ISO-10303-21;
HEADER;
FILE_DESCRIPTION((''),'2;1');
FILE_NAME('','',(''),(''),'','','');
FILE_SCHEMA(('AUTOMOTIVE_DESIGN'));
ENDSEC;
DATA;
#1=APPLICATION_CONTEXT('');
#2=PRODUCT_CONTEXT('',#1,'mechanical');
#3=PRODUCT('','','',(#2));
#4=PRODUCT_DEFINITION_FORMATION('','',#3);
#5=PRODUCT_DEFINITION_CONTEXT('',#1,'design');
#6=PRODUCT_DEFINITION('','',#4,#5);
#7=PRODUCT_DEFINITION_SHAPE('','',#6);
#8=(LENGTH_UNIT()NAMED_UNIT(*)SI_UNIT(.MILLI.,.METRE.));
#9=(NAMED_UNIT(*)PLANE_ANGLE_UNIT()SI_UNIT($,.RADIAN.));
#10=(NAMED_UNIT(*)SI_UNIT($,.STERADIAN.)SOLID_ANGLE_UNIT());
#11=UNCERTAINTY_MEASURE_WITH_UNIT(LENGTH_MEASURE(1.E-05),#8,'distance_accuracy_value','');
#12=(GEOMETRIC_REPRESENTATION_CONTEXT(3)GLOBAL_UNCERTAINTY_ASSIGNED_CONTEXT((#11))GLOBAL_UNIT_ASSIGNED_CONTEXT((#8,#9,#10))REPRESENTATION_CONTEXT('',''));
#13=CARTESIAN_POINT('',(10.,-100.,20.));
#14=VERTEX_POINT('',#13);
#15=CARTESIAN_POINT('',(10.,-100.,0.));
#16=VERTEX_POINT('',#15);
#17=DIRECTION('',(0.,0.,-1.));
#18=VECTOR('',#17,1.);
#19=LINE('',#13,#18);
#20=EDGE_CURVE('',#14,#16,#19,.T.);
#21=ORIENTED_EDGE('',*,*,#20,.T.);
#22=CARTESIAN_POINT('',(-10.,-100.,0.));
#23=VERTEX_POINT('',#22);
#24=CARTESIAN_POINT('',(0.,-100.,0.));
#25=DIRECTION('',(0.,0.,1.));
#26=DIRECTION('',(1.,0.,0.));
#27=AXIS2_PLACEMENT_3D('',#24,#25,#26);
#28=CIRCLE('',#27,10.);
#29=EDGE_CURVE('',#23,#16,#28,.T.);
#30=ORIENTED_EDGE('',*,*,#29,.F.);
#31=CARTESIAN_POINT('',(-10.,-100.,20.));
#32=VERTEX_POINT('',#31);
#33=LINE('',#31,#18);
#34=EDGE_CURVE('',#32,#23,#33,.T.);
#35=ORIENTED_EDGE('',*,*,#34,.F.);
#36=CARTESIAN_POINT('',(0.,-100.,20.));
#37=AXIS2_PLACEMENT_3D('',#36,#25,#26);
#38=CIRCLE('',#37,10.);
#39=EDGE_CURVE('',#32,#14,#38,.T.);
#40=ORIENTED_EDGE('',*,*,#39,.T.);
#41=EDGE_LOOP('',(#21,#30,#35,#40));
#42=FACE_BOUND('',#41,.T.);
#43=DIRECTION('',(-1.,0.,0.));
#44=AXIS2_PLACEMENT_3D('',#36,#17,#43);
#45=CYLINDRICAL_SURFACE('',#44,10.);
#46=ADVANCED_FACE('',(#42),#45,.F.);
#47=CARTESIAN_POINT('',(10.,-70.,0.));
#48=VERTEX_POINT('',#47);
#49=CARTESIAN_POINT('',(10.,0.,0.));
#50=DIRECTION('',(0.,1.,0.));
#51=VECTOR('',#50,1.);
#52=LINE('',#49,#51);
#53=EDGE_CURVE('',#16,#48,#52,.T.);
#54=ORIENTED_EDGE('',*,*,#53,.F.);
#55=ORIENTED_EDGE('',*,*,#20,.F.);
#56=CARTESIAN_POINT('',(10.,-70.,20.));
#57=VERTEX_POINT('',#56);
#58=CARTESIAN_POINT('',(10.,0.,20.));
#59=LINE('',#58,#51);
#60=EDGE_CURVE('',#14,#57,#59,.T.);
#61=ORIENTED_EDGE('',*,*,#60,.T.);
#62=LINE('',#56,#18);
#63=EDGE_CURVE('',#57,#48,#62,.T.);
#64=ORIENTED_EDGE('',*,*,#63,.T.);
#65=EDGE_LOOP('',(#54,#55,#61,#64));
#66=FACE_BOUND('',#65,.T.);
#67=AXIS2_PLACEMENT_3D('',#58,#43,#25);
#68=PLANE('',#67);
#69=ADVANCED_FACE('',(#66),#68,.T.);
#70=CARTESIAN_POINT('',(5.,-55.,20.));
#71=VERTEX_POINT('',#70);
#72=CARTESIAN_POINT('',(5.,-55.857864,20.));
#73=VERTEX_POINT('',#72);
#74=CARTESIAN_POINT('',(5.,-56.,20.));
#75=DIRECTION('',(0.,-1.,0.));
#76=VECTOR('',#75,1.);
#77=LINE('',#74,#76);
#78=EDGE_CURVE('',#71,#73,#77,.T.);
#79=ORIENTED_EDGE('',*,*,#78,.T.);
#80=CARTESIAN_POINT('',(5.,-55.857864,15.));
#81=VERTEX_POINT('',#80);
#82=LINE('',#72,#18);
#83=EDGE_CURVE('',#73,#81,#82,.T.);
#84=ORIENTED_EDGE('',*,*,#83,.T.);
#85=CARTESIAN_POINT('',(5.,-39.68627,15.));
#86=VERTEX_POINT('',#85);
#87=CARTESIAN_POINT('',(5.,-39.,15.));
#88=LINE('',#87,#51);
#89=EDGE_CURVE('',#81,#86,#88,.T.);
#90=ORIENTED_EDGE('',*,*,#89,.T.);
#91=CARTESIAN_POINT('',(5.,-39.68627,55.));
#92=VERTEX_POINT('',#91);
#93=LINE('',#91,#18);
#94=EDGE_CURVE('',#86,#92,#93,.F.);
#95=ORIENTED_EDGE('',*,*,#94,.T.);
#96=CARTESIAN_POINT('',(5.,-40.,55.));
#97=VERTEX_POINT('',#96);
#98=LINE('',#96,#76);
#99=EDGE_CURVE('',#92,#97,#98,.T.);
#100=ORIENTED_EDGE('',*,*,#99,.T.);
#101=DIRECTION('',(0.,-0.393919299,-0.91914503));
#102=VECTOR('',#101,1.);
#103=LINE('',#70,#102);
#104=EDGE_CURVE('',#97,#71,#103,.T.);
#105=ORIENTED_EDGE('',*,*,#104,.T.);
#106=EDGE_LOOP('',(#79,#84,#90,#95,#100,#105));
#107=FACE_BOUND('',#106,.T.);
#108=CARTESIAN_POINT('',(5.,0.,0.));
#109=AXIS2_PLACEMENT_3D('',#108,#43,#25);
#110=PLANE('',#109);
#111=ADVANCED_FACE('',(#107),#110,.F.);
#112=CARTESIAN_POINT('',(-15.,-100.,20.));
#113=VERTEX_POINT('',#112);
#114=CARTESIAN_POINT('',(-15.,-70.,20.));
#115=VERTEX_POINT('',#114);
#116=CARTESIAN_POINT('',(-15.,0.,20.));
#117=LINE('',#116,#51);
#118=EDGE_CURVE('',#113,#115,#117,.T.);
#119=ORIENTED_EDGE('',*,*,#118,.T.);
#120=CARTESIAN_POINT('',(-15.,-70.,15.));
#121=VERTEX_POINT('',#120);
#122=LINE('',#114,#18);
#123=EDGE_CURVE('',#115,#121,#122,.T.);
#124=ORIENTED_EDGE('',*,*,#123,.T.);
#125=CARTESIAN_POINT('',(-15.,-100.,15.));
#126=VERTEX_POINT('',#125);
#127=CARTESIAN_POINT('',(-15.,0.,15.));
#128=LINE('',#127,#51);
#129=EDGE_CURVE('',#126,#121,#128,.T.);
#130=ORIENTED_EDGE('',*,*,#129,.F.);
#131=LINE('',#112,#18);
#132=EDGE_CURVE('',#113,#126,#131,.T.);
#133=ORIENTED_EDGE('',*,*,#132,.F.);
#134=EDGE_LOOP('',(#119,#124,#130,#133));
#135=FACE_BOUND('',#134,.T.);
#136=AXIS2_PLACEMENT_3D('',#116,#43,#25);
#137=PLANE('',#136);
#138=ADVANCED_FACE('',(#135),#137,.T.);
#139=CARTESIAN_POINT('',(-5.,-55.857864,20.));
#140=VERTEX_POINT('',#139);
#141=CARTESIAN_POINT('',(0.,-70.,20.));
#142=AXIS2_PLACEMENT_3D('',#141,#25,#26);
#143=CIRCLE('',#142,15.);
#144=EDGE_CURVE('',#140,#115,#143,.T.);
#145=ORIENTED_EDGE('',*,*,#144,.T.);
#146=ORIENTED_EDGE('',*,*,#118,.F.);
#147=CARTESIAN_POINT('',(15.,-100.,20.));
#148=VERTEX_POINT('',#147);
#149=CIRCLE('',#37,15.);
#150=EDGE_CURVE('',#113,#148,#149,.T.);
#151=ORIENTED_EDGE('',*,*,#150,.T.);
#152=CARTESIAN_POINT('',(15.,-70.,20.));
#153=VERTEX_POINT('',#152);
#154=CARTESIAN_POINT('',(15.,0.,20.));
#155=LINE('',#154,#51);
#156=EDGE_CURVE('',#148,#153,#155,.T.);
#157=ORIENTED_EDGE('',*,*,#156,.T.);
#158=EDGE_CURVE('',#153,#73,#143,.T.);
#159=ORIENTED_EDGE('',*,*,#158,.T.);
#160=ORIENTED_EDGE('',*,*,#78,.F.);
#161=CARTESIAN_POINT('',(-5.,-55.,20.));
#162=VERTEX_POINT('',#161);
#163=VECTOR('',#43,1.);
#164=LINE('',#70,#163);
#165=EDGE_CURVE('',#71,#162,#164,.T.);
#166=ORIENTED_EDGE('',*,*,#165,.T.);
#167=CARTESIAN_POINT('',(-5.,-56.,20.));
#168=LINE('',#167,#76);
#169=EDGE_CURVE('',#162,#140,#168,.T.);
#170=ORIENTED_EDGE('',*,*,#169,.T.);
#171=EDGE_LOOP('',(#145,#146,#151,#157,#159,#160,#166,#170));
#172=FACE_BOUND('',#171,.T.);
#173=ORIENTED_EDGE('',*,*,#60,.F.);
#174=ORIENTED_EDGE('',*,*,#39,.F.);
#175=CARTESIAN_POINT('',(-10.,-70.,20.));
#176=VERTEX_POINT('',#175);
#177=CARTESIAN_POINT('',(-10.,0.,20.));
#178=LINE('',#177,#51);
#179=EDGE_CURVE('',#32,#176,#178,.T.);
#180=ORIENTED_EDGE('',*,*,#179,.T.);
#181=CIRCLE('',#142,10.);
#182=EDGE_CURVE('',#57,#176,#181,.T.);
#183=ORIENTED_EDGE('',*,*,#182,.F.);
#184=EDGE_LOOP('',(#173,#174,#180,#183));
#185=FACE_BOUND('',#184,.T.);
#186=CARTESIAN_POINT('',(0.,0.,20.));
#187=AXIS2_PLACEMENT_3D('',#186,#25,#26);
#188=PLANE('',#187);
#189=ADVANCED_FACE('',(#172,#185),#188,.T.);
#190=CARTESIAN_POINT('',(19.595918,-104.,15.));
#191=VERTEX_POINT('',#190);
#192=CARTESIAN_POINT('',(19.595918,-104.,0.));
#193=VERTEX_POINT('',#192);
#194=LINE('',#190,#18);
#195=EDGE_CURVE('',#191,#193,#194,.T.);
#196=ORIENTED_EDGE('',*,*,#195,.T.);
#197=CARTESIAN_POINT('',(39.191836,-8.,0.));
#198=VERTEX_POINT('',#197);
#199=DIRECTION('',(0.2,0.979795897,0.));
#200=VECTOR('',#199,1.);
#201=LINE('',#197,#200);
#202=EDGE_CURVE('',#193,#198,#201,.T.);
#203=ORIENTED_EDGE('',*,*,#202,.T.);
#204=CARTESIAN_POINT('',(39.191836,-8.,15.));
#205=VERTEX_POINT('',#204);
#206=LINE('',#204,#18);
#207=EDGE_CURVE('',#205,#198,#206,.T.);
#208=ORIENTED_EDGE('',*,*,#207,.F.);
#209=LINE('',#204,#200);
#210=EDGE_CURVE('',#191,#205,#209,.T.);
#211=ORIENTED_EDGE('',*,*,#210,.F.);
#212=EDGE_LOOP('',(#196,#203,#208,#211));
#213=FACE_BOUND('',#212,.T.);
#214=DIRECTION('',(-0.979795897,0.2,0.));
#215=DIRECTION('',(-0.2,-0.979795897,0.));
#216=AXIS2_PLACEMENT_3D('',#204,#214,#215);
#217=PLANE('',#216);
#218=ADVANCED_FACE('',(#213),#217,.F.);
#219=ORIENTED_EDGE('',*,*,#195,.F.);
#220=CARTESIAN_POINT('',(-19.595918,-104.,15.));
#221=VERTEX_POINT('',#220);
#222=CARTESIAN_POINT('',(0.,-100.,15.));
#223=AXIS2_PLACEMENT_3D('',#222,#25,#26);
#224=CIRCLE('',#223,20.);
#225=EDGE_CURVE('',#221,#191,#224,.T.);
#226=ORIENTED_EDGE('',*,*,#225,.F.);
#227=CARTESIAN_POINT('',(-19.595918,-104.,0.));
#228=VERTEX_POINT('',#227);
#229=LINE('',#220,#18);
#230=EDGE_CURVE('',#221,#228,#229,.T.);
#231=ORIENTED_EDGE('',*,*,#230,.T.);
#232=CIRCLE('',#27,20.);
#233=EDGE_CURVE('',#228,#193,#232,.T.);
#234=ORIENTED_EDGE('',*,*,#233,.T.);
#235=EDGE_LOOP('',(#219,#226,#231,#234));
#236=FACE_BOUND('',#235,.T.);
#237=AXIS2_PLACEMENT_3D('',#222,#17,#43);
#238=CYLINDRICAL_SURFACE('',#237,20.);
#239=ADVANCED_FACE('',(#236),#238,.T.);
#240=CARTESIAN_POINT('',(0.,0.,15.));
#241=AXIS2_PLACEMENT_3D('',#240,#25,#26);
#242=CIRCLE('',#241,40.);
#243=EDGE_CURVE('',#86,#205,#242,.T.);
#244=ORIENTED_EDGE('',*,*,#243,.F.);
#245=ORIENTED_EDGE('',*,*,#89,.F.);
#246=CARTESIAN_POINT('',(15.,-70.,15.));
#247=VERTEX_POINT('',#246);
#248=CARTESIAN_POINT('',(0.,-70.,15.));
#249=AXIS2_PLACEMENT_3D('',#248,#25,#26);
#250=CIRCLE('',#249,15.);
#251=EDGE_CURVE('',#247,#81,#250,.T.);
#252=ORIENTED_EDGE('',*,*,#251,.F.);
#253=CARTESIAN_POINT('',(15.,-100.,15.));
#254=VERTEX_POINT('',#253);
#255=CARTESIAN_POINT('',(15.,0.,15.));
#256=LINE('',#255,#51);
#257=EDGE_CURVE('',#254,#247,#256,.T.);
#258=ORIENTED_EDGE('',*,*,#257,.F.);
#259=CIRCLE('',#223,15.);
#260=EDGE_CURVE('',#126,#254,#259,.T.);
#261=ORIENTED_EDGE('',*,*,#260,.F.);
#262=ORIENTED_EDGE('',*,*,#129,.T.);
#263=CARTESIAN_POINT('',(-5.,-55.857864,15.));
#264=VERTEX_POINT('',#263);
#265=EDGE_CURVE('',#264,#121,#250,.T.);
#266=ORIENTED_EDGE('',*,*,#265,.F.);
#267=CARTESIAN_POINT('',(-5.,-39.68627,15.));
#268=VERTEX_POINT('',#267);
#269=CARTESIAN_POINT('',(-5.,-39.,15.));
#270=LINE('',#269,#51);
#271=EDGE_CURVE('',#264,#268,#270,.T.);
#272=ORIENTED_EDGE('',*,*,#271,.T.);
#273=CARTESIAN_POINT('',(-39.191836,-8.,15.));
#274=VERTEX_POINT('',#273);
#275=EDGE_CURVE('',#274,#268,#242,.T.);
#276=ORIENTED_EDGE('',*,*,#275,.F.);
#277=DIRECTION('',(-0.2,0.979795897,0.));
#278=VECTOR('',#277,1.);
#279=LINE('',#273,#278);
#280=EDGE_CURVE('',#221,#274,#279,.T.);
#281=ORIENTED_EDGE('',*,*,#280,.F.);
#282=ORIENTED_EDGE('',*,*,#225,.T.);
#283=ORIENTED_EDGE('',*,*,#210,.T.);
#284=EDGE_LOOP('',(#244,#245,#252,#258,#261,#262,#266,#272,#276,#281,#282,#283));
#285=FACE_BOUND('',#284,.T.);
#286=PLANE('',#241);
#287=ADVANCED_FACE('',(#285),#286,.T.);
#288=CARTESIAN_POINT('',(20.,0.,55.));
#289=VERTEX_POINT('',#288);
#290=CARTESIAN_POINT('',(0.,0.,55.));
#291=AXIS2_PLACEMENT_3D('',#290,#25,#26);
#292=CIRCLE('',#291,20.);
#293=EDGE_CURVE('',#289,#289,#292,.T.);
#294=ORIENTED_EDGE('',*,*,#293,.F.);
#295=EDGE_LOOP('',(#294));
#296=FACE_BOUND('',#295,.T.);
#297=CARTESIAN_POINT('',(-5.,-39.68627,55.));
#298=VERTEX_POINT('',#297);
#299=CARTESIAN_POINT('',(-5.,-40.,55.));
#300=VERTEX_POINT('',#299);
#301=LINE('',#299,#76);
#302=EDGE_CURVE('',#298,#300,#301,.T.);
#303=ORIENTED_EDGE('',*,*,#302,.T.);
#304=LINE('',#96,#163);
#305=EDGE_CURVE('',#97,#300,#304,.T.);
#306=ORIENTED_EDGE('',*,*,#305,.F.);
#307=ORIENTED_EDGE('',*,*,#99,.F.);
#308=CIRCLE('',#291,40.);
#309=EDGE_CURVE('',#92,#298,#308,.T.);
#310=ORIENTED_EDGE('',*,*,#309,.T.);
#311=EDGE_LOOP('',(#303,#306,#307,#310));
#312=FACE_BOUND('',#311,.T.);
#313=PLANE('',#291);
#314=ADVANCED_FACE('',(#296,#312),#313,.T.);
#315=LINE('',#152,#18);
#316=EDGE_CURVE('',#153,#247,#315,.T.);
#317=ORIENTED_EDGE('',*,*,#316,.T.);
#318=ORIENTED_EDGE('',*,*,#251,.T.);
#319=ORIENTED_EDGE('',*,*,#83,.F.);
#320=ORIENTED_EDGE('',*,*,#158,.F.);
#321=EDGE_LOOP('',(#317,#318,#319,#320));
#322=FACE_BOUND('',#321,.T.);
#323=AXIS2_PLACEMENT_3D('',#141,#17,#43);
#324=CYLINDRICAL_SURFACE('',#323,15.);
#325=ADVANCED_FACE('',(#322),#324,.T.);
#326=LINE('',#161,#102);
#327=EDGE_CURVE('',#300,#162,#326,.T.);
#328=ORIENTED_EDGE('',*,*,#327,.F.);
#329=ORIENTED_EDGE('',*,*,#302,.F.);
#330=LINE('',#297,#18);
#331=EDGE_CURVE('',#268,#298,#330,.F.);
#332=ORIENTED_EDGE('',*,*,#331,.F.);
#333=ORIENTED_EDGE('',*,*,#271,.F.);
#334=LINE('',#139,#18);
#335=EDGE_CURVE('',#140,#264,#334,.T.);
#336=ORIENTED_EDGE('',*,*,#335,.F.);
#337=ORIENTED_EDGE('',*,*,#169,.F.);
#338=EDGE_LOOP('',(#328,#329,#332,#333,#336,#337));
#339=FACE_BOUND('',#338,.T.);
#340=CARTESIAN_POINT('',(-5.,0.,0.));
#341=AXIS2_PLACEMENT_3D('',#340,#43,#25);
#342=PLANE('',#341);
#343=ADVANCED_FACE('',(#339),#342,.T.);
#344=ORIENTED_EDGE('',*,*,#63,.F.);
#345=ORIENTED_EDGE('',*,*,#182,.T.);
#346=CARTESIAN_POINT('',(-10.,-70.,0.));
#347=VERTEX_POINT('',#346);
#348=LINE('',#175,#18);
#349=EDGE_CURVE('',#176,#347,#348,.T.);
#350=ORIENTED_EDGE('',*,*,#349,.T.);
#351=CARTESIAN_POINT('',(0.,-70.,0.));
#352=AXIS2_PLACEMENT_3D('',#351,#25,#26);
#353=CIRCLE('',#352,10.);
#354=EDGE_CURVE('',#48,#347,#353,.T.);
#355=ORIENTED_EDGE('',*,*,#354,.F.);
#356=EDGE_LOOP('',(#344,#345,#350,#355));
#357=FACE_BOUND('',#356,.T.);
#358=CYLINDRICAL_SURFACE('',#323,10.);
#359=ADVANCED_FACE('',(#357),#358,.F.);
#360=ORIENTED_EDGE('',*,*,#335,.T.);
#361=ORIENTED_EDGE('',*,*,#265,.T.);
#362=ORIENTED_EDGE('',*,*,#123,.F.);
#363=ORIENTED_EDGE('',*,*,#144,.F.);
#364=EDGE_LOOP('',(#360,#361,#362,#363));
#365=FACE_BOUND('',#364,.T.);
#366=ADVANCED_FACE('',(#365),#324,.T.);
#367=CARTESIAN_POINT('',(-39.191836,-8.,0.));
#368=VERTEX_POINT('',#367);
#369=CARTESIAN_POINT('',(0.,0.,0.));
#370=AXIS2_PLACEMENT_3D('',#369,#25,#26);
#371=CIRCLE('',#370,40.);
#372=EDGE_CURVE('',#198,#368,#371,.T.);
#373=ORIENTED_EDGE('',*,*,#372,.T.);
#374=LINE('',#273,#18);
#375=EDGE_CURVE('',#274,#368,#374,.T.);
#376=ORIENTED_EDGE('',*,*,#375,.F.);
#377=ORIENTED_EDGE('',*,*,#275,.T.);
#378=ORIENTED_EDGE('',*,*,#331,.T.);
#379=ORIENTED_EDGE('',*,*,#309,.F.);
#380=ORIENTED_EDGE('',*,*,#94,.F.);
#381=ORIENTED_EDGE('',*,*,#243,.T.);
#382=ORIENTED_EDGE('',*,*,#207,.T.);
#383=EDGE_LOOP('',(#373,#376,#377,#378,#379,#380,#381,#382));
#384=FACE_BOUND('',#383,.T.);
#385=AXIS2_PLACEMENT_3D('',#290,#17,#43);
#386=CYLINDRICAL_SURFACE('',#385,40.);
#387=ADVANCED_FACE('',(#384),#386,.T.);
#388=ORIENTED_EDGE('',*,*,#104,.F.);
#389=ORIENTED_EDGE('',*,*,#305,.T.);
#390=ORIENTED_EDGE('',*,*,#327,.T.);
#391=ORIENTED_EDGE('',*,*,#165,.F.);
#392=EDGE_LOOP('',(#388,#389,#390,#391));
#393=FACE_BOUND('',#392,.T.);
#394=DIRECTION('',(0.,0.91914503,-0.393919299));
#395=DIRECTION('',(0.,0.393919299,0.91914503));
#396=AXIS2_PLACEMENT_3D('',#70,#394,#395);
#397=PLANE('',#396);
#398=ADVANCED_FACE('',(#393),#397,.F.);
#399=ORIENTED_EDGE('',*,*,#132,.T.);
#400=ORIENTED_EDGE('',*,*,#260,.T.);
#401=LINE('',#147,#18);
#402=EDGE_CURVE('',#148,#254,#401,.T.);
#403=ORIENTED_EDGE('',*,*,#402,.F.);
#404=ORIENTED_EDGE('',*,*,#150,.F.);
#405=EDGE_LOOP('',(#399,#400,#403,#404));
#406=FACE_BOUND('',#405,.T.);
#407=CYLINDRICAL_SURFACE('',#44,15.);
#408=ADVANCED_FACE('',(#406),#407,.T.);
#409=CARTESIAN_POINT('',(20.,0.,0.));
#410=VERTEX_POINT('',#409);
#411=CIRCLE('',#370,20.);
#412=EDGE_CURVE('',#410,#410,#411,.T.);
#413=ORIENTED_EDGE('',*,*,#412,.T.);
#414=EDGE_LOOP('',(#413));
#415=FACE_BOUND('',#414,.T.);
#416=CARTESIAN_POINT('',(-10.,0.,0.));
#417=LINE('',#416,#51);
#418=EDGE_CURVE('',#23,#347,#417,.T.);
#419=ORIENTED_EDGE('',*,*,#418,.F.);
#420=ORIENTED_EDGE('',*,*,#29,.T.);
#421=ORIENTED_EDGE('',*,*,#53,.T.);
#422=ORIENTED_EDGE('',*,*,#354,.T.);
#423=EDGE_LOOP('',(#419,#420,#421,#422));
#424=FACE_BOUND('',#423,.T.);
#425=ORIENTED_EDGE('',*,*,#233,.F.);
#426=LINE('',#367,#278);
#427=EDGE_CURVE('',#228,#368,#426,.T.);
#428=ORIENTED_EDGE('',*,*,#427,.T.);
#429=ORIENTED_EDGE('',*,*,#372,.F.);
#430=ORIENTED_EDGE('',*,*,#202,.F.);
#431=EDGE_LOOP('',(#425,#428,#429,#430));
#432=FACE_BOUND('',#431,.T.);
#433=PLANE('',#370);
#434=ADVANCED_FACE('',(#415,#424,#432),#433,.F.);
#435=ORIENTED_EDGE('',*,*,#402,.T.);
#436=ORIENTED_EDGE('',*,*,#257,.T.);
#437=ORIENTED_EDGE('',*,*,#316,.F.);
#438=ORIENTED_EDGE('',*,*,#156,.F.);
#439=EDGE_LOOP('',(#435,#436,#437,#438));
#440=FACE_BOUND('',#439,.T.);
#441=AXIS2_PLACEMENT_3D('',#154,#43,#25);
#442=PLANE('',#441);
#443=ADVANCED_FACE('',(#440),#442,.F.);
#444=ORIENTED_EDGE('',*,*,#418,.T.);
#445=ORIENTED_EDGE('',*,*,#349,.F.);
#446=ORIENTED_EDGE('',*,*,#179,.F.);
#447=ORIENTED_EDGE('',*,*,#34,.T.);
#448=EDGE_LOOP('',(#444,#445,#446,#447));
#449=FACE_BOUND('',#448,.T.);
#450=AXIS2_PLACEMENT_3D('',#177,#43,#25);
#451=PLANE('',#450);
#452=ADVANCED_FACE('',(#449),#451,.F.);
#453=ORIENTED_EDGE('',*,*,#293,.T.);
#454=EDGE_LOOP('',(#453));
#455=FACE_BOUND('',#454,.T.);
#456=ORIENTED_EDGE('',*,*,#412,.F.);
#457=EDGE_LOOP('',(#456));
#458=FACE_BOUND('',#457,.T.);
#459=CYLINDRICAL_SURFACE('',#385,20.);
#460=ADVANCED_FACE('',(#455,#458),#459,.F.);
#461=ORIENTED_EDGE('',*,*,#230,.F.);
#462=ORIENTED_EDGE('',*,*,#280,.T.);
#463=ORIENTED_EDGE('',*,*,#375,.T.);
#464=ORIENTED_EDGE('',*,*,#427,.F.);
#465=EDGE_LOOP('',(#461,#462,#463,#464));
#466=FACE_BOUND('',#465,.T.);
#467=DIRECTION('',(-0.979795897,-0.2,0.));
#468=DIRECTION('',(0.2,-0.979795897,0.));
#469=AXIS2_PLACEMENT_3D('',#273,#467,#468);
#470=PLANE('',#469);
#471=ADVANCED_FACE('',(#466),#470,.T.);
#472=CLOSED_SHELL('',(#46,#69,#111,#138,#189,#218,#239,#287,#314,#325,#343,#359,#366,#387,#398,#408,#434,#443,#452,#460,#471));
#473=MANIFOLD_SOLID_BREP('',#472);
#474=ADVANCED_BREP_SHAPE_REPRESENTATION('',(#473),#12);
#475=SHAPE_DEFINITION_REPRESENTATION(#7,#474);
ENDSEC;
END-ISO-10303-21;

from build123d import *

# Parameters (mm, degrees)
BOSS_EXTRUDE1_DEPTH = 15
BOSS_EXTRUDE2_DEPTH = 20
SKETCH1_4_R         = 20
BOSS_EXTRUDE3_DEPTH = 55
BOSS_EXTRUDE6_DEPTH = 5


with BuildPart() as part:
    # Sketch1 → Boss-Extrude1 (new body)
    with BuildSketch(Plane(origin=(0, 0, 0), x_dir=(0, 1, 0), z_dir=(0, 0, 1))):
        with BuildLine():
            Line((-8, 39.191835885), (-104, 19.595917942))
            ThreePointArc((-104, 19.595917942), (-120, 0), (-104, -19.595917942))
            Line((-104, -19.595917942), (-8, -39.191835885))
            ThreePointArc((-8, -39.191835885), (-40, 0), (-8, 39.191835885))
        make_face()
        with BuildLine():
            ThreePointArc((-100, -15), (-115, 0), (-100, 15))
            Line((-100, 15), (-70, 15))
            ThreePointArc((-70, 15), (-55, 0), (-70, -15))
            Line((-70, -15), (-100, -15))
        make_face(mode=Mode.SUBTRACT)
    extrude(amount=BOSS_EXTRUDE1_DEPTH)

    # Sketch1<3> → Boss-Extrude2 (add)
    with BuildSketch(Plane(origin=(0, 0, 0), x_dir=(0, 1, 0), z_dir=(0, 0, 1))):
        with BuildLine():
            Line((-70, 15), (-100, 15))
            ThreePointArc((-100, 15), (-115, 0), (-100, -15))
            Line((-100, -15), (-70, -15))
            ThreePointArc((-70, -15), (-55, 0), (-70, 15))
        make_face()
        with BuildLine():
            ThreePointArc((-100, -10), (-110, 0), (-100, 10))
            Line((-100, 10), (-70, 10))
            ThreePointArc((-70, 10), (-60, 0), (-70, -10))
            Line((-70, -10), (-100, -10))
        make_face(mode=Mode.SUBTRACT)
    extrude(amount=BOSS_EXTRUDE2_DEPTH)

    # Sketch1<4> → Boss-Extrude3 (add)
    with BuildSketch(Plane(origin=(0, 0, 0), x_dir=(0, 1, 0), z_dir=(0, 0, 1))):
        with BuildLine():
            ThreePointArc((40, 0), (25.298221281, 30.98386677), (-8, 39.191835885))
            ThreePointArc((-8, 39.191835885), (-40, 0), (-8, -39.191835885))
            ThreePointArc((-8, -39.191835885), (25.298221281, -30.98386677), (40, 0))
        make_face()
        Circle(SKETCH1_4_R, mode=Mode.SUBTRACT)
    extrude(amount=BOSS_EXTRUDE3_DEPTH)

    # Sketch2 → Boss-Extrude6 (add, symmetric)
    with BuildSketch(Plane.YZ):
        Polygon((-55, 20), (-40, 55), (-39, 55), (-39, 15), (-56, 15), (-56, 20), align=None)
    extrude(amount=BOSS_EXTRUDE6_DEPTH, both=True)


solid = part.part
